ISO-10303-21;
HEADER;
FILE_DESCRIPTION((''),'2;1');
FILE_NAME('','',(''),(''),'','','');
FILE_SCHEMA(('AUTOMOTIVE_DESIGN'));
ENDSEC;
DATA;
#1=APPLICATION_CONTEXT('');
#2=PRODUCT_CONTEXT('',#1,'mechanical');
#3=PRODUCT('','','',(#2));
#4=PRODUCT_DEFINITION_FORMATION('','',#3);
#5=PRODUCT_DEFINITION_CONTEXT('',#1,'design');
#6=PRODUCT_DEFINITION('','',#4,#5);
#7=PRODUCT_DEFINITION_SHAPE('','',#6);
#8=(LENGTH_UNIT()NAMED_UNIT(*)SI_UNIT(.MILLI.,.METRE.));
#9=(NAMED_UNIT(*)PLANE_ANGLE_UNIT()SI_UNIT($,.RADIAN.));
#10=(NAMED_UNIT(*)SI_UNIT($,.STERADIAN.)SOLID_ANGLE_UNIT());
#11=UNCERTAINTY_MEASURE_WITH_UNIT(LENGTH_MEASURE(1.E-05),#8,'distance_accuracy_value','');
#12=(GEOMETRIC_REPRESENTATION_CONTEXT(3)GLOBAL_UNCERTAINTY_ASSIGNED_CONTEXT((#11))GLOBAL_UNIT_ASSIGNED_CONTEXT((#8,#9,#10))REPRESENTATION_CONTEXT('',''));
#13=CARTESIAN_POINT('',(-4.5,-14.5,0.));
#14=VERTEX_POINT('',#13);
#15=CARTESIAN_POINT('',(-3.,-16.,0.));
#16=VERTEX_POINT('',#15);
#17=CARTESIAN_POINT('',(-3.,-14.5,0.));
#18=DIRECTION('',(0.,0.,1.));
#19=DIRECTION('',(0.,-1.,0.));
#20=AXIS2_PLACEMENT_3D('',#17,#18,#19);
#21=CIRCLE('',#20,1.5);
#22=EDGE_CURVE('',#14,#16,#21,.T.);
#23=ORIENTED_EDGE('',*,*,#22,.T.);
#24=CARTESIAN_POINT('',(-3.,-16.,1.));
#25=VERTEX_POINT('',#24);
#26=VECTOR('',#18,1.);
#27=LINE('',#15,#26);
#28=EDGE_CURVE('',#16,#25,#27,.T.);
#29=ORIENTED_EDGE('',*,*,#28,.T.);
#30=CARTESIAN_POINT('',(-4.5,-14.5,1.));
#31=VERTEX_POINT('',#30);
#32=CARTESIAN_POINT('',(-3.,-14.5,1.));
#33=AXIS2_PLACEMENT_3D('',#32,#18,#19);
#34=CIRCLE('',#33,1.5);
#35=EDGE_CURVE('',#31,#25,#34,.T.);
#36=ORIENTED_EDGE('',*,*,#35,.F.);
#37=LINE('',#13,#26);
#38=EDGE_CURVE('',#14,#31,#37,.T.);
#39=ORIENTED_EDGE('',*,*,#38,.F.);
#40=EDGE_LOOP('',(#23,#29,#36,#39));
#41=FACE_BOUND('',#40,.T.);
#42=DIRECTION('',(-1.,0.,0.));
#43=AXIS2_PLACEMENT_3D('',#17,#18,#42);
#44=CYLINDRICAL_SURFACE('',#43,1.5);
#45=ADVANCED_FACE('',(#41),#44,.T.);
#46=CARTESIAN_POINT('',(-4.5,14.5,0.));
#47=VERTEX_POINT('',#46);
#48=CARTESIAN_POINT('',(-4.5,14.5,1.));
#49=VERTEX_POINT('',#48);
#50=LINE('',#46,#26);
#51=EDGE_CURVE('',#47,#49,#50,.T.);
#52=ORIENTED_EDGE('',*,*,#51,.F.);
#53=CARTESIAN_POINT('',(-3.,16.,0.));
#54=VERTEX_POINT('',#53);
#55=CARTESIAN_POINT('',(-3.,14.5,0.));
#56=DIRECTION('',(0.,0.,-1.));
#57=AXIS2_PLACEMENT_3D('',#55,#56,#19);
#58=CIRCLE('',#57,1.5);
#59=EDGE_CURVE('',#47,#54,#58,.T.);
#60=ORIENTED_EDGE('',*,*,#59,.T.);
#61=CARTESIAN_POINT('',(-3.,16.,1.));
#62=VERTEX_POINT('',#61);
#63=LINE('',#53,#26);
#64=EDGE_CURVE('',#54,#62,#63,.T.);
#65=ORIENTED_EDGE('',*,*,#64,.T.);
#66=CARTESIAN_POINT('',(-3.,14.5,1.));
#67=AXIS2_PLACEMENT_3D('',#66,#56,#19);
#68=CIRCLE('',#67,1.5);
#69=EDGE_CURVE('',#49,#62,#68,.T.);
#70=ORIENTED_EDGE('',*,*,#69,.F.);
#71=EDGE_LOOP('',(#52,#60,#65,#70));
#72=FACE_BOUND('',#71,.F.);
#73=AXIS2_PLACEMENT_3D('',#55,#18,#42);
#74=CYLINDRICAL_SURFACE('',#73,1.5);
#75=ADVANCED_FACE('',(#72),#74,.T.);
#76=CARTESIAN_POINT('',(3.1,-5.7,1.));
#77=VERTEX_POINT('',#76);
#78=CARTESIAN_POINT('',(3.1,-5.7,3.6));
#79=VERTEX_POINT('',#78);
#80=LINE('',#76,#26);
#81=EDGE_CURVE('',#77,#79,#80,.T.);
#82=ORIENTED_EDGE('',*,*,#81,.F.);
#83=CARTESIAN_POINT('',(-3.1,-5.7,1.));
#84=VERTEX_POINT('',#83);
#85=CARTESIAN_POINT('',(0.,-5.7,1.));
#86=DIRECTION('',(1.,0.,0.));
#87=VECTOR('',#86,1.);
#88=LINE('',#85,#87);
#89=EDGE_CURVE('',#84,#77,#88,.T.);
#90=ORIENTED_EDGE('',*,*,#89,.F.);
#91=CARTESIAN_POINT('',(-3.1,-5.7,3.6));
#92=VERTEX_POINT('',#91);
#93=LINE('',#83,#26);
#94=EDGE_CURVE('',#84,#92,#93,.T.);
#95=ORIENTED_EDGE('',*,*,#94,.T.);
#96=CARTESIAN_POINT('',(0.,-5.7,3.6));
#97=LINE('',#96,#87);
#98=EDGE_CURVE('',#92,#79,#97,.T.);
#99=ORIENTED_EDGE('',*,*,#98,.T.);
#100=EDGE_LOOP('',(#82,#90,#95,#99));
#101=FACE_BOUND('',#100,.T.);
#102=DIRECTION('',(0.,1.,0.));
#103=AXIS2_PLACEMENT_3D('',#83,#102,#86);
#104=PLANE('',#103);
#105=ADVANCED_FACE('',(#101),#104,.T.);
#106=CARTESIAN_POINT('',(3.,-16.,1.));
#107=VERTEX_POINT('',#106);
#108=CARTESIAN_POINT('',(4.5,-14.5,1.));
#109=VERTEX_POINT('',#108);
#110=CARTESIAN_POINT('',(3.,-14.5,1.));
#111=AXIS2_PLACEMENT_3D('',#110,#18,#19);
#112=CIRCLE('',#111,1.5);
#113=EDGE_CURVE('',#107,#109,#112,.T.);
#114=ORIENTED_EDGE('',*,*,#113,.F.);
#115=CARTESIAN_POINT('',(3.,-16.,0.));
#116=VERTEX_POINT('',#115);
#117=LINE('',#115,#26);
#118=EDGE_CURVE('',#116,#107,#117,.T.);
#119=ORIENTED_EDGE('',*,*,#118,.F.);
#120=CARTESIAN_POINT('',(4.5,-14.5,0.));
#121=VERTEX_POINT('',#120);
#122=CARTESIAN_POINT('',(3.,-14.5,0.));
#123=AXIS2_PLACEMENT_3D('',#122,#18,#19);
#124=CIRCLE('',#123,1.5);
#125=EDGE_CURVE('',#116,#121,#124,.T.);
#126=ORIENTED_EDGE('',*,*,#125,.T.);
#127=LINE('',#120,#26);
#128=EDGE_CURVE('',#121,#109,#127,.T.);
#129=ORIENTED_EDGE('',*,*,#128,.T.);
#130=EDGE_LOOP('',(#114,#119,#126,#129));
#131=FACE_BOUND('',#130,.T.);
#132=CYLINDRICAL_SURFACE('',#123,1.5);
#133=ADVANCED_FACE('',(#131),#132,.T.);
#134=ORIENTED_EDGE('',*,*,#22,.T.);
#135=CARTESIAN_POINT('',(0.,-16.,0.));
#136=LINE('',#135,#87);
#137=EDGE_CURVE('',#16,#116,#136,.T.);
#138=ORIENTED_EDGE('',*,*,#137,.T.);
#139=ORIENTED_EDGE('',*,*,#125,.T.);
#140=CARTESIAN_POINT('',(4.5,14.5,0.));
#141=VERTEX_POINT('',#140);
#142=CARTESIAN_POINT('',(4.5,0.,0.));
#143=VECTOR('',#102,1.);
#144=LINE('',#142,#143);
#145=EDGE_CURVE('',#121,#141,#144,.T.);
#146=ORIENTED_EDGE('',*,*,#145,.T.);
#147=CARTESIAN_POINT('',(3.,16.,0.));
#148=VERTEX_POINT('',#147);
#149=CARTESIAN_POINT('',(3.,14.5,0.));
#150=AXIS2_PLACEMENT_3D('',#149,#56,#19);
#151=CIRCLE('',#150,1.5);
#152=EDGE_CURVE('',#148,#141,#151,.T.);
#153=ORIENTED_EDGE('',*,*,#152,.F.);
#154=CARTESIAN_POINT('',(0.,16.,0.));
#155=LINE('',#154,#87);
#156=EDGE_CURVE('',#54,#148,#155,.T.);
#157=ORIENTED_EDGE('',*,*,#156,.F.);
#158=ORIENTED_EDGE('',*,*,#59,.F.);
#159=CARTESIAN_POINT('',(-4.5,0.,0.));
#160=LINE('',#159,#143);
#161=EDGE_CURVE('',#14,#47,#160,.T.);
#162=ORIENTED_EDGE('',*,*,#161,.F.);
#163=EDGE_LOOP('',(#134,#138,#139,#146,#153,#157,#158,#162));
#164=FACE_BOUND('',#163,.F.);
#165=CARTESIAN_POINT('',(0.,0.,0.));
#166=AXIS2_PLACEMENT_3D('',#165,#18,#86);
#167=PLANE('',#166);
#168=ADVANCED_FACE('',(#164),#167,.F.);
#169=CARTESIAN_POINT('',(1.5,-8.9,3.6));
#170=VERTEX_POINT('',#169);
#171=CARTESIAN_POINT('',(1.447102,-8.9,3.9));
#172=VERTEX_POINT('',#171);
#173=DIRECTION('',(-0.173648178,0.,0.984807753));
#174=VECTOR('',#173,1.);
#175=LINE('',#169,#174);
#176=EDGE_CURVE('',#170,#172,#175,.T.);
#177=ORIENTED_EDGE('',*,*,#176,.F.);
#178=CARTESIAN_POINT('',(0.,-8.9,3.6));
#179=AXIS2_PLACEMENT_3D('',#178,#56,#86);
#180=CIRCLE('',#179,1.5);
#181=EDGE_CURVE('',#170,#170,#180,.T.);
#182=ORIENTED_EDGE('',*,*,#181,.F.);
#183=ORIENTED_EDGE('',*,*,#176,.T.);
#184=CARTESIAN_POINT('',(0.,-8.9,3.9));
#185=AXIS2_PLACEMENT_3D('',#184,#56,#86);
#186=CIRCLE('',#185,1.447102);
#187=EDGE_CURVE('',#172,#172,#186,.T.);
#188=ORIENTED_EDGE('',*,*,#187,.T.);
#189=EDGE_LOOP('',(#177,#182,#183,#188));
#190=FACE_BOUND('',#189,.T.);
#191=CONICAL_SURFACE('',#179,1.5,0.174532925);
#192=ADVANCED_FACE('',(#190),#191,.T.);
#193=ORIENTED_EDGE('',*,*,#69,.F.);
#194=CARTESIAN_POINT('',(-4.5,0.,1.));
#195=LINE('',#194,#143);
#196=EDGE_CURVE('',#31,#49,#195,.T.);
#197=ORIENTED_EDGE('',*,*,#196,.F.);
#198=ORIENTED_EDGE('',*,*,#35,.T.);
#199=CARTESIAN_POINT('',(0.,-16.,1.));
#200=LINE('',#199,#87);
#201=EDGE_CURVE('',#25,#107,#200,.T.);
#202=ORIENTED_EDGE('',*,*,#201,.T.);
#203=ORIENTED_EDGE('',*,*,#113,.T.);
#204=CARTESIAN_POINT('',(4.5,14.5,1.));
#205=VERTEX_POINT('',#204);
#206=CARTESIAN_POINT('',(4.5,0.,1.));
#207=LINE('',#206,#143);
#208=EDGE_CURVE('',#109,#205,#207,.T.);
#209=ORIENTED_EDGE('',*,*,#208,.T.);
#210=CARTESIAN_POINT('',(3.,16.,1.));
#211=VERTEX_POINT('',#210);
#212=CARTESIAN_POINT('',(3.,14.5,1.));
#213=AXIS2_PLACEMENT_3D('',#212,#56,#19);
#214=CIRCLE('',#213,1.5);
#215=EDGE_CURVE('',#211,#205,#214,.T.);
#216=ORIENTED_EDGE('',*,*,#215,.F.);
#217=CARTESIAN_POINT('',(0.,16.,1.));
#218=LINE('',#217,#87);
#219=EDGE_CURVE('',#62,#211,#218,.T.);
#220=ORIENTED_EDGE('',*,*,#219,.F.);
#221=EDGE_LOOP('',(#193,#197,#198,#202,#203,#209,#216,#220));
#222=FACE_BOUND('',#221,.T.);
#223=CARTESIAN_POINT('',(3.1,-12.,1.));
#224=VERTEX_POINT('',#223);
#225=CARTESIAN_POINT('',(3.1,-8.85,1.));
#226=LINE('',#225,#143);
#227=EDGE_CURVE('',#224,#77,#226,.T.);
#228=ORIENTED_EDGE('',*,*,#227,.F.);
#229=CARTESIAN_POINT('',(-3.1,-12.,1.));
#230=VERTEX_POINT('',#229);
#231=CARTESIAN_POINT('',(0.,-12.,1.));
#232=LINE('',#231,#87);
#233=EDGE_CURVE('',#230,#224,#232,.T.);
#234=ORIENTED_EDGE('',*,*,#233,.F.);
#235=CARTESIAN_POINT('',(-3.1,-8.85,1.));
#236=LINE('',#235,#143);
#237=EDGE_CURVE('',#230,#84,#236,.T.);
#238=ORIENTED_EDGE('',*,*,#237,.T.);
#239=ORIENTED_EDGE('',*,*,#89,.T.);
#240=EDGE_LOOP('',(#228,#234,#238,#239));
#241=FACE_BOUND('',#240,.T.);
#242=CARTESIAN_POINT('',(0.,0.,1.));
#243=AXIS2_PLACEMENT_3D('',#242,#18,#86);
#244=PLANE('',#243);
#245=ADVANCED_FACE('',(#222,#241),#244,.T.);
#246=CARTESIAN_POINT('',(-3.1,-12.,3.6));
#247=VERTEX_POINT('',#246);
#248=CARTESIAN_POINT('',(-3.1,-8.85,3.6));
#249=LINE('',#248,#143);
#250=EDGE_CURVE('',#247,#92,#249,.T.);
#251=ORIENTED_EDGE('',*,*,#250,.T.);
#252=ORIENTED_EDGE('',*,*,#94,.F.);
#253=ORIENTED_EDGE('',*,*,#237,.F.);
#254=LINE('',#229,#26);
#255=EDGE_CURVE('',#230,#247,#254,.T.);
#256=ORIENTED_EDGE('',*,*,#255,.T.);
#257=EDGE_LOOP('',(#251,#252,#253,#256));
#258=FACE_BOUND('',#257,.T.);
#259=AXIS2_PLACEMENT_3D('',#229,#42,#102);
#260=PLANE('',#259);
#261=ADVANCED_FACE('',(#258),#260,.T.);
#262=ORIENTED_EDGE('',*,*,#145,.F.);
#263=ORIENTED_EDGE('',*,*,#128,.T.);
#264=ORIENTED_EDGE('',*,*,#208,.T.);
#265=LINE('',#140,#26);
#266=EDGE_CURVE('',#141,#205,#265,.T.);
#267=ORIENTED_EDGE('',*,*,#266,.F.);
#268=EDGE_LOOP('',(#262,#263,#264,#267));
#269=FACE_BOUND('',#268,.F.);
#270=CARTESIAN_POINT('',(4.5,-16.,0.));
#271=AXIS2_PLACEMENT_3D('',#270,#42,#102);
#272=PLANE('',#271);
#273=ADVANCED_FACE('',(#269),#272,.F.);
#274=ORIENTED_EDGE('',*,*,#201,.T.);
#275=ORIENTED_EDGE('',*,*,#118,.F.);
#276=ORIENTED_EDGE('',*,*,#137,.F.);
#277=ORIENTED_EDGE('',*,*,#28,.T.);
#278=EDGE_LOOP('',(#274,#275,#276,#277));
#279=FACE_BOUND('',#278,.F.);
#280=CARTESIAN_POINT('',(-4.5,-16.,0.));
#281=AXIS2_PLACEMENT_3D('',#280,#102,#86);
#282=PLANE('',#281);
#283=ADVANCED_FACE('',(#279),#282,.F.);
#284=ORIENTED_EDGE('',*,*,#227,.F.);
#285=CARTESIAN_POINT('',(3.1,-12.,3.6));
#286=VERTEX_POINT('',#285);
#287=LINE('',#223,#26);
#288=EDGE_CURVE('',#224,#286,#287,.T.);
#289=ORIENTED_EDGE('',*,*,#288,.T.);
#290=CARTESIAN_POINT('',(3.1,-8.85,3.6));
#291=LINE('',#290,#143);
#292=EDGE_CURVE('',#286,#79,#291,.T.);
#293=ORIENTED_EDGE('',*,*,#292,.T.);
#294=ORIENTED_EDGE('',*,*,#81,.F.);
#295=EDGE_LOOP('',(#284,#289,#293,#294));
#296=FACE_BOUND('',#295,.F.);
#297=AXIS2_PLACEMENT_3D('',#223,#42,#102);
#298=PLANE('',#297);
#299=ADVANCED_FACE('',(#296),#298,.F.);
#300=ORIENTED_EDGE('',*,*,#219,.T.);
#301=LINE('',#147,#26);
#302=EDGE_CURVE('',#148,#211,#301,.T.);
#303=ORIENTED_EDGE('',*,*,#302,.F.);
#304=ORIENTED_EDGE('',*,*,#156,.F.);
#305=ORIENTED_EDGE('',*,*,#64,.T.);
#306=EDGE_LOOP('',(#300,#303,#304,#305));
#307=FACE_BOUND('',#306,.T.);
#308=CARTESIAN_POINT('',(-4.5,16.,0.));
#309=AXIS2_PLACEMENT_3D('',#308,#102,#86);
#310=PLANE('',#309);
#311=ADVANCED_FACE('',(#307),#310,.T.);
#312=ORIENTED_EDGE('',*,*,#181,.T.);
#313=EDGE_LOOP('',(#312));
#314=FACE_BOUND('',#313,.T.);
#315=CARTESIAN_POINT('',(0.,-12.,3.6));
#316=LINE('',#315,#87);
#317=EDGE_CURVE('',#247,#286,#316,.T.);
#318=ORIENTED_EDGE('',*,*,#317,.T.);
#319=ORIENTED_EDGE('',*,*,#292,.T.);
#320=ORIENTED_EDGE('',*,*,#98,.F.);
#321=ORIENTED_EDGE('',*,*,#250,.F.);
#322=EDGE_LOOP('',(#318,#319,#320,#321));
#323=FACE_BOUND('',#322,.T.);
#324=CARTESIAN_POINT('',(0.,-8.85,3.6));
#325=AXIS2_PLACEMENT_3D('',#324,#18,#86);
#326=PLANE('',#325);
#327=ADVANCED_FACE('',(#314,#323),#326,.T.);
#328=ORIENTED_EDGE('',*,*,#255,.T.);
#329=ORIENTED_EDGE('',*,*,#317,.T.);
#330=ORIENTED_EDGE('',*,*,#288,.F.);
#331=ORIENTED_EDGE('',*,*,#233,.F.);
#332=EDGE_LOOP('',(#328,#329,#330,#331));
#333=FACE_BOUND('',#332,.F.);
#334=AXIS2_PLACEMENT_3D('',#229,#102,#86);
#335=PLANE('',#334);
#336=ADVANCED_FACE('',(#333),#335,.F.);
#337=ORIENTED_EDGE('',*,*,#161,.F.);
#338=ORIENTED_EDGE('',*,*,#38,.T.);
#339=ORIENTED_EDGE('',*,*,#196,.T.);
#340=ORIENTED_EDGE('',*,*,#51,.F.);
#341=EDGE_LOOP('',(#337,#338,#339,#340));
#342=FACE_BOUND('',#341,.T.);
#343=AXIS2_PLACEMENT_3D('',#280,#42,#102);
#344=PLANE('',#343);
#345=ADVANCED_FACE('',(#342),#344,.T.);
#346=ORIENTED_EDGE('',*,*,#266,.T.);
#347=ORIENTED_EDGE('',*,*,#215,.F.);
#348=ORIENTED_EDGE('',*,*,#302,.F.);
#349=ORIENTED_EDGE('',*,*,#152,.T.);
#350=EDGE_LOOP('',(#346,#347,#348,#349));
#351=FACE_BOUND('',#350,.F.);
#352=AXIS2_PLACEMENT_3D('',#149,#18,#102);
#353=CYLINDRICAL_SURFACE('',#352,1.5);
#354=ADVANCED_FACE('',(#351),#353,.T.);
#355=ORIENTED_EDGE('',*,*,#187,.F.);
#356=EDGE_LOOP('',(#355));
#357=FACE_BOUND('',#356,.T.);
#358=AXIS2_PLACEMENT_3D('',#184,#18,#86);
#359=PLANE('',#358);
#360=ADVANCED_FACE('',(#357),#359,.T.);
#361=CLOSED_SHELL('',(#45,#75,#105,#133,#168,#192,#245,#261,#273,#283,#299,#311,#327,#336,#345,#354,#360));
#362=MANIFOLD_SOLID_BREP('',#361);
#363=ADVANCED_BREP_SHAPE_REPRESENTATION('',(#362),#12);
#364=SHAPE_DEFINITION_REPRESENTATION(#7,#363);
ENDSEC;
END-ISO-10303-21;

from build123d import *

# Parameters (mm, degrees)
F0_W     = 9
F0_H     = 32
F1_DEPTH = 1
F2_W     = 6.2
F2_H     = 6.3
F3_DEPTH = 2.6
F4_R     = 1.5
F5_DEPTH = 0.3
F5_TAPER = 10
F6_R     = 1.5


with BuildPart() as f1:
    # F0 (on Top) → F1 (new body)
    with BuildSketch(Plane.XY):
        Rectangle(F0_W, F0_H)
    extrude(amount=F1_DEPTH)

    # F2 (on face) → F3 (join)
    with BuildSketch(Plane.XY.offset(1)):
        with Locations((0, -8.85)):
            Rectangle(F2_W, F2_H)
    extrude(amount=F3_DEPTH)

    # F4 (on face) → F5 (join)
    with BuildSketch(Plane.XY.offset(3.6)):
        with Locations((0, -8.9)):
            Circle(F4_R)
    extrude(amount=F5_DEPTH, taper=F5_TAPER)

    # F6
    f6_edges = [f1.edges().sort_by_distance(p)[0] for p in [
        (4.5, -16, 0.5),
        (-4.5, -16, 0.5),
        (4.5, 16, 0.5),
        (-4.5, 16, 0.5),
    ]]
    fillet(f6_edges, radius=F6_R)


solid = f1.part
